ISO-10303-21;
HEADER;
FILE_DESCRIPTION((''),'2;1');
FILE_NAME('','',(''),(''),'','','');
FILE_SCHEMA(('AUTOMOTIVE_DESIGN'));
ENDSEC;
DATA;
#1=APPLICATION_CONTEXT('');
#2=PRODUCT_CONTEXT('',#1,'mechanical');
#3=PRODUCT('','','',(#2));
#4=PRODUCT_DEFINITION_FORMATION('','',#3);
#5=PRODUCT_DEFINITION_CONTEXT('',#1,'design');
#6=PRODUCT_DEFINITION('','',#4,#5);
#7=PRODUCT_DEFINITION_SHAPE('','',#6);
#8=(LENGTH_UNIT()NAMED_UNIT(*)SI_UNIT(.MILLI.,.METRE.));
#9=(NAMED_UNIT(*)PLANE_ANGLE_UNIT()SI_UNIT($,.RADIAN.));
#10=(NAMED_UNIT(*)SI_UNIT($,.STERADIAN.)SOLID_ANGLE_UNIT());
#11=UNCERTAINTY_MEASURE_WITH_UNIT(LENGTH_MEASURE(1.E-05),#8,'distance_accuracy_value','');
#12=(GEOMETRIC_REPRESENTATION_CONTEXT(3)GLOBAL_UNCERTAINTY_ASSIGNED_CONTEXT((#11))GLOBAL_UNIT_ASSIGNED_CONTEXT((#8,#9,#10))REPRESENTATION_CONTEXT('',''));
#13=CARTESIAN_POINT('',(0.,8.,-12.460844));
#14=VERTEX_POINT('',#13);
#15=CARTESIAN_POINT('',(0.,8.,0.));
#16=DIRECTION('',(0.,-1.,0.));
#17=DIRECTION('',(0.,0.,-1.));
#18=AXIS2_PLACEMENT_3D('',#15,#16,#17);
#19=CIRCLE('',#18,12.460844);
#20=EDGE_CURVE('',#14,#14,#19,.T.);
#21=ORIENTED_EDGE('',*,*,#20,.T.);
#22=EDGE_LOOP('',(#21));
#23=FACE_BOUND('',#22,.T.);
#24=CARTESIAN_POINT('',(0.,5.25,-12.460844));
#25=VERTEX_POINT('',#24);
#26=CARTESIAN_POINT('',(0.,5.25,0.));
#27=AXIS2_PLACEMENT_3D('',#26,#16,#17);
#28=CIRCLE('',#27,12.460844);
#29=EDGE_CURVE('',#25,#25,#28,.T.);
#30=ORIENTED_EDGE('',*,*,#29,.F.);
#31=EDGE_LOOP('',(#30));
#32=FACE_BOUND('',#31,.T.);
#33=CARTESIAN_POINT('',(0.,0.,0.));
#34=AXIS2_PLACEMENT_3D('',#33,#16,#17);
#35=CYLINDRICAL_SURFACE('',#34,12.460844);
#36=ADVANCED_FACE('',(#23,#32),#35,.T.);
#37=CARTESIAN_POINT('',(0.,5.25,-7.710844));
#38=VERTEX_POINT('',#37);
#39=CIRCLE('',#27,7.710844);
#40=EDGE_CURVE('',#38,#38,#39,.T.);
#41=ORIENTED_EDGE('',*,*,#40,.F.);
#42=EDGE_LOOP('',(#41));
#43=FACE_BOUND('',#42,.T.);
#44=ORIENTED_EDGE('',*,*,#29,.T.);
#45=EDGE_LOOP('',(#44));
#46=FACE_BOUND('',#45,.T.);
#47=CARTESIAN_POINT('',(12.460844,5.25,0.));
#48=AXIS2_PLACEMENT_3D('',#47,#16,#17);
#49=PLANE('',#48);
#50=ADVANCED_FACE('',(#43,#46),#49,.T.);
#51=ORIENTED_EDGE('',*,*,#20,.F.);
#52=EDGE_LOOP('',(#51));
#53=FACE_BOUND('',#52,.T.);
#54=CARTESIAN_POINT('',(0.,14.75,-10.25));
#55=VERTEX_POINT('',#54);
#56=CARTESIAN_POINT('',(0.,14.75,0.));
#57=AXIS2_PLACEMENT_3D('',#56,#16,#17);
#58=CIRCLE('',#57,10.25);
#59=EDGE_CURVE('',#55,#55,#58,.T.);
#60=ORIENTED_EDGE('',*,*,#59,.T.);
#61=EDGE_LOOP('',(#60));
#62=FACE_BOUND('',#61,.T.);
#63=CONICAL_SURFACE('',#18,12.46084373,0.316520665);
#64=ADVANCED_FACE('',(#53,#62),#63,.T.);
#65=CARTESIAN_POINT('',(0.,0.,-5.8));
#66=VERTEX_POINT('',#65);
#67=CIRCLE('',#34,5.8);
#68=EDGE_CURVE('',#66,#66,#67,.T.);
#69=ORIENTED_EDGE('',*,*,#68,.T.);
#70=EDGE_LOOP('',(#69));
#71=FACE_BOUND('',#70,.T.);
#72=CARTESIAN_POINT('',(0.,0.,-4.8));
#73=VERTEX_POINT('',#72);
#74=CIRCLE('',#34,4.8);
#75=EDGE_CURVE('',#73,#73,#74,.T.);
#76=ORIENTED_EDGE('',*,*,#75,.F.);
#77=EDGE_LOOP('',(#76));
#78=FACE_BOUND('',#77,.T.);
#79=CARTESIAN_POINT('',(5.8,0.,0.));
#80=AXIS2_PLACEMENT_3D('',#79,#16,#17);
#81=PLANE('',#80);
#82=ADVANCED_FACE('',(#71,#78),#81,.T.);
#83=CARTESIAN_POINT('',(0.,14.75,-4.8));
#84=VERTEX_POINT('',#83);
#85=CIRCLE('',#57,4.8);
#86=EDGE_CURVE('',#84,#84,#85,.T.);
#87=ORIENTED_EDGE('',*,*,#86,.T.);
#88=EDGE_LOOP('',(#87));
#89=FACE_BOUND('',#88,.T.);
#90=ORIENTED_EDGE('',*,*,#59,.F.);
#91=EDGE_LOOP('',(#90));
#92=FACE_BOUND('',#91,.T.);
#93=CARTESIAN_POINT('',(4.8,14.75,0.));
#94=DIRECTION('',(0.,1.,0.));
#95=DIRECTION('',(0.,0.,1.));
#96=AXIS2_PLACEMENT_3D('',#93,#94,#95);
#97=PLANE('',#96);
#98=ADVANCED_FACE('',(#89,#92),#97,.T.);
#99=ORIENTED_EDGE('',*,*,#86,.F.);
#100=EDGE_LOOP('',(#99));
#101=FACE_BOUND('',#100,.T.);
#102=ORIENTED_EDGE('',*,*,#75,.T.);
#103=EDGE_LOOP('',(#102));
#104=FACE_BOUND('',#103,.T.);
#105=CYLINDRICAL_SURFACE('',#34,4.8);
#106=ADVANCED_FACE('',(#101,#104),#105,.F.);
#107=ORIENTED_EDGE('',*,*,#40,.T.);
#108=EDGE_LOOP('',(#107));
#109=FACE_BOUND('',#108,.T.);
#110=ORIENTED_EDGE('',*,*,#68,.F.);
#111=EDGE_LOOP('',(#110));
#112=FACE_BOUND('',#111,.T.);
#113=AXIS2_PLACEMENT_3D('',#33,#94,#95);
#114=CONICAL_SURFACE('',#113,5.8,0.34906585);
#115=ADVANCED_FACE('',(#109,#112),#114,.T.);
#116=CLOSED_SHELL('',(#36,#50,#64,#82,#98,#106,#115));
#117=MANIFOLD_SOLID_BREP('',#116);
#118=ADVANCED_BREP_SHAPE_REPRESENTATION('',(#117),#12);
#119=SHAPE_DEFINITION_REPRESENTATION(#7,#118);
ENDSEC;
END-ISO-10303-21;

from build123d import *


with BuildPart() as part:
    # Sketch2 → Revolve1 (revolve)
    with BuildSketch(Plane.XY):
        Polygon((4.8, 0), (4.8, 14.75), (10.25, 14.75), (12.46084373, 8), (12.46084373, 5.25), (7.71084373, 5.25), (5.8, 0), align=None)
    revolve(axis=Axis((0, 0, 0), (0, 1, 0)))


solid = part.part
